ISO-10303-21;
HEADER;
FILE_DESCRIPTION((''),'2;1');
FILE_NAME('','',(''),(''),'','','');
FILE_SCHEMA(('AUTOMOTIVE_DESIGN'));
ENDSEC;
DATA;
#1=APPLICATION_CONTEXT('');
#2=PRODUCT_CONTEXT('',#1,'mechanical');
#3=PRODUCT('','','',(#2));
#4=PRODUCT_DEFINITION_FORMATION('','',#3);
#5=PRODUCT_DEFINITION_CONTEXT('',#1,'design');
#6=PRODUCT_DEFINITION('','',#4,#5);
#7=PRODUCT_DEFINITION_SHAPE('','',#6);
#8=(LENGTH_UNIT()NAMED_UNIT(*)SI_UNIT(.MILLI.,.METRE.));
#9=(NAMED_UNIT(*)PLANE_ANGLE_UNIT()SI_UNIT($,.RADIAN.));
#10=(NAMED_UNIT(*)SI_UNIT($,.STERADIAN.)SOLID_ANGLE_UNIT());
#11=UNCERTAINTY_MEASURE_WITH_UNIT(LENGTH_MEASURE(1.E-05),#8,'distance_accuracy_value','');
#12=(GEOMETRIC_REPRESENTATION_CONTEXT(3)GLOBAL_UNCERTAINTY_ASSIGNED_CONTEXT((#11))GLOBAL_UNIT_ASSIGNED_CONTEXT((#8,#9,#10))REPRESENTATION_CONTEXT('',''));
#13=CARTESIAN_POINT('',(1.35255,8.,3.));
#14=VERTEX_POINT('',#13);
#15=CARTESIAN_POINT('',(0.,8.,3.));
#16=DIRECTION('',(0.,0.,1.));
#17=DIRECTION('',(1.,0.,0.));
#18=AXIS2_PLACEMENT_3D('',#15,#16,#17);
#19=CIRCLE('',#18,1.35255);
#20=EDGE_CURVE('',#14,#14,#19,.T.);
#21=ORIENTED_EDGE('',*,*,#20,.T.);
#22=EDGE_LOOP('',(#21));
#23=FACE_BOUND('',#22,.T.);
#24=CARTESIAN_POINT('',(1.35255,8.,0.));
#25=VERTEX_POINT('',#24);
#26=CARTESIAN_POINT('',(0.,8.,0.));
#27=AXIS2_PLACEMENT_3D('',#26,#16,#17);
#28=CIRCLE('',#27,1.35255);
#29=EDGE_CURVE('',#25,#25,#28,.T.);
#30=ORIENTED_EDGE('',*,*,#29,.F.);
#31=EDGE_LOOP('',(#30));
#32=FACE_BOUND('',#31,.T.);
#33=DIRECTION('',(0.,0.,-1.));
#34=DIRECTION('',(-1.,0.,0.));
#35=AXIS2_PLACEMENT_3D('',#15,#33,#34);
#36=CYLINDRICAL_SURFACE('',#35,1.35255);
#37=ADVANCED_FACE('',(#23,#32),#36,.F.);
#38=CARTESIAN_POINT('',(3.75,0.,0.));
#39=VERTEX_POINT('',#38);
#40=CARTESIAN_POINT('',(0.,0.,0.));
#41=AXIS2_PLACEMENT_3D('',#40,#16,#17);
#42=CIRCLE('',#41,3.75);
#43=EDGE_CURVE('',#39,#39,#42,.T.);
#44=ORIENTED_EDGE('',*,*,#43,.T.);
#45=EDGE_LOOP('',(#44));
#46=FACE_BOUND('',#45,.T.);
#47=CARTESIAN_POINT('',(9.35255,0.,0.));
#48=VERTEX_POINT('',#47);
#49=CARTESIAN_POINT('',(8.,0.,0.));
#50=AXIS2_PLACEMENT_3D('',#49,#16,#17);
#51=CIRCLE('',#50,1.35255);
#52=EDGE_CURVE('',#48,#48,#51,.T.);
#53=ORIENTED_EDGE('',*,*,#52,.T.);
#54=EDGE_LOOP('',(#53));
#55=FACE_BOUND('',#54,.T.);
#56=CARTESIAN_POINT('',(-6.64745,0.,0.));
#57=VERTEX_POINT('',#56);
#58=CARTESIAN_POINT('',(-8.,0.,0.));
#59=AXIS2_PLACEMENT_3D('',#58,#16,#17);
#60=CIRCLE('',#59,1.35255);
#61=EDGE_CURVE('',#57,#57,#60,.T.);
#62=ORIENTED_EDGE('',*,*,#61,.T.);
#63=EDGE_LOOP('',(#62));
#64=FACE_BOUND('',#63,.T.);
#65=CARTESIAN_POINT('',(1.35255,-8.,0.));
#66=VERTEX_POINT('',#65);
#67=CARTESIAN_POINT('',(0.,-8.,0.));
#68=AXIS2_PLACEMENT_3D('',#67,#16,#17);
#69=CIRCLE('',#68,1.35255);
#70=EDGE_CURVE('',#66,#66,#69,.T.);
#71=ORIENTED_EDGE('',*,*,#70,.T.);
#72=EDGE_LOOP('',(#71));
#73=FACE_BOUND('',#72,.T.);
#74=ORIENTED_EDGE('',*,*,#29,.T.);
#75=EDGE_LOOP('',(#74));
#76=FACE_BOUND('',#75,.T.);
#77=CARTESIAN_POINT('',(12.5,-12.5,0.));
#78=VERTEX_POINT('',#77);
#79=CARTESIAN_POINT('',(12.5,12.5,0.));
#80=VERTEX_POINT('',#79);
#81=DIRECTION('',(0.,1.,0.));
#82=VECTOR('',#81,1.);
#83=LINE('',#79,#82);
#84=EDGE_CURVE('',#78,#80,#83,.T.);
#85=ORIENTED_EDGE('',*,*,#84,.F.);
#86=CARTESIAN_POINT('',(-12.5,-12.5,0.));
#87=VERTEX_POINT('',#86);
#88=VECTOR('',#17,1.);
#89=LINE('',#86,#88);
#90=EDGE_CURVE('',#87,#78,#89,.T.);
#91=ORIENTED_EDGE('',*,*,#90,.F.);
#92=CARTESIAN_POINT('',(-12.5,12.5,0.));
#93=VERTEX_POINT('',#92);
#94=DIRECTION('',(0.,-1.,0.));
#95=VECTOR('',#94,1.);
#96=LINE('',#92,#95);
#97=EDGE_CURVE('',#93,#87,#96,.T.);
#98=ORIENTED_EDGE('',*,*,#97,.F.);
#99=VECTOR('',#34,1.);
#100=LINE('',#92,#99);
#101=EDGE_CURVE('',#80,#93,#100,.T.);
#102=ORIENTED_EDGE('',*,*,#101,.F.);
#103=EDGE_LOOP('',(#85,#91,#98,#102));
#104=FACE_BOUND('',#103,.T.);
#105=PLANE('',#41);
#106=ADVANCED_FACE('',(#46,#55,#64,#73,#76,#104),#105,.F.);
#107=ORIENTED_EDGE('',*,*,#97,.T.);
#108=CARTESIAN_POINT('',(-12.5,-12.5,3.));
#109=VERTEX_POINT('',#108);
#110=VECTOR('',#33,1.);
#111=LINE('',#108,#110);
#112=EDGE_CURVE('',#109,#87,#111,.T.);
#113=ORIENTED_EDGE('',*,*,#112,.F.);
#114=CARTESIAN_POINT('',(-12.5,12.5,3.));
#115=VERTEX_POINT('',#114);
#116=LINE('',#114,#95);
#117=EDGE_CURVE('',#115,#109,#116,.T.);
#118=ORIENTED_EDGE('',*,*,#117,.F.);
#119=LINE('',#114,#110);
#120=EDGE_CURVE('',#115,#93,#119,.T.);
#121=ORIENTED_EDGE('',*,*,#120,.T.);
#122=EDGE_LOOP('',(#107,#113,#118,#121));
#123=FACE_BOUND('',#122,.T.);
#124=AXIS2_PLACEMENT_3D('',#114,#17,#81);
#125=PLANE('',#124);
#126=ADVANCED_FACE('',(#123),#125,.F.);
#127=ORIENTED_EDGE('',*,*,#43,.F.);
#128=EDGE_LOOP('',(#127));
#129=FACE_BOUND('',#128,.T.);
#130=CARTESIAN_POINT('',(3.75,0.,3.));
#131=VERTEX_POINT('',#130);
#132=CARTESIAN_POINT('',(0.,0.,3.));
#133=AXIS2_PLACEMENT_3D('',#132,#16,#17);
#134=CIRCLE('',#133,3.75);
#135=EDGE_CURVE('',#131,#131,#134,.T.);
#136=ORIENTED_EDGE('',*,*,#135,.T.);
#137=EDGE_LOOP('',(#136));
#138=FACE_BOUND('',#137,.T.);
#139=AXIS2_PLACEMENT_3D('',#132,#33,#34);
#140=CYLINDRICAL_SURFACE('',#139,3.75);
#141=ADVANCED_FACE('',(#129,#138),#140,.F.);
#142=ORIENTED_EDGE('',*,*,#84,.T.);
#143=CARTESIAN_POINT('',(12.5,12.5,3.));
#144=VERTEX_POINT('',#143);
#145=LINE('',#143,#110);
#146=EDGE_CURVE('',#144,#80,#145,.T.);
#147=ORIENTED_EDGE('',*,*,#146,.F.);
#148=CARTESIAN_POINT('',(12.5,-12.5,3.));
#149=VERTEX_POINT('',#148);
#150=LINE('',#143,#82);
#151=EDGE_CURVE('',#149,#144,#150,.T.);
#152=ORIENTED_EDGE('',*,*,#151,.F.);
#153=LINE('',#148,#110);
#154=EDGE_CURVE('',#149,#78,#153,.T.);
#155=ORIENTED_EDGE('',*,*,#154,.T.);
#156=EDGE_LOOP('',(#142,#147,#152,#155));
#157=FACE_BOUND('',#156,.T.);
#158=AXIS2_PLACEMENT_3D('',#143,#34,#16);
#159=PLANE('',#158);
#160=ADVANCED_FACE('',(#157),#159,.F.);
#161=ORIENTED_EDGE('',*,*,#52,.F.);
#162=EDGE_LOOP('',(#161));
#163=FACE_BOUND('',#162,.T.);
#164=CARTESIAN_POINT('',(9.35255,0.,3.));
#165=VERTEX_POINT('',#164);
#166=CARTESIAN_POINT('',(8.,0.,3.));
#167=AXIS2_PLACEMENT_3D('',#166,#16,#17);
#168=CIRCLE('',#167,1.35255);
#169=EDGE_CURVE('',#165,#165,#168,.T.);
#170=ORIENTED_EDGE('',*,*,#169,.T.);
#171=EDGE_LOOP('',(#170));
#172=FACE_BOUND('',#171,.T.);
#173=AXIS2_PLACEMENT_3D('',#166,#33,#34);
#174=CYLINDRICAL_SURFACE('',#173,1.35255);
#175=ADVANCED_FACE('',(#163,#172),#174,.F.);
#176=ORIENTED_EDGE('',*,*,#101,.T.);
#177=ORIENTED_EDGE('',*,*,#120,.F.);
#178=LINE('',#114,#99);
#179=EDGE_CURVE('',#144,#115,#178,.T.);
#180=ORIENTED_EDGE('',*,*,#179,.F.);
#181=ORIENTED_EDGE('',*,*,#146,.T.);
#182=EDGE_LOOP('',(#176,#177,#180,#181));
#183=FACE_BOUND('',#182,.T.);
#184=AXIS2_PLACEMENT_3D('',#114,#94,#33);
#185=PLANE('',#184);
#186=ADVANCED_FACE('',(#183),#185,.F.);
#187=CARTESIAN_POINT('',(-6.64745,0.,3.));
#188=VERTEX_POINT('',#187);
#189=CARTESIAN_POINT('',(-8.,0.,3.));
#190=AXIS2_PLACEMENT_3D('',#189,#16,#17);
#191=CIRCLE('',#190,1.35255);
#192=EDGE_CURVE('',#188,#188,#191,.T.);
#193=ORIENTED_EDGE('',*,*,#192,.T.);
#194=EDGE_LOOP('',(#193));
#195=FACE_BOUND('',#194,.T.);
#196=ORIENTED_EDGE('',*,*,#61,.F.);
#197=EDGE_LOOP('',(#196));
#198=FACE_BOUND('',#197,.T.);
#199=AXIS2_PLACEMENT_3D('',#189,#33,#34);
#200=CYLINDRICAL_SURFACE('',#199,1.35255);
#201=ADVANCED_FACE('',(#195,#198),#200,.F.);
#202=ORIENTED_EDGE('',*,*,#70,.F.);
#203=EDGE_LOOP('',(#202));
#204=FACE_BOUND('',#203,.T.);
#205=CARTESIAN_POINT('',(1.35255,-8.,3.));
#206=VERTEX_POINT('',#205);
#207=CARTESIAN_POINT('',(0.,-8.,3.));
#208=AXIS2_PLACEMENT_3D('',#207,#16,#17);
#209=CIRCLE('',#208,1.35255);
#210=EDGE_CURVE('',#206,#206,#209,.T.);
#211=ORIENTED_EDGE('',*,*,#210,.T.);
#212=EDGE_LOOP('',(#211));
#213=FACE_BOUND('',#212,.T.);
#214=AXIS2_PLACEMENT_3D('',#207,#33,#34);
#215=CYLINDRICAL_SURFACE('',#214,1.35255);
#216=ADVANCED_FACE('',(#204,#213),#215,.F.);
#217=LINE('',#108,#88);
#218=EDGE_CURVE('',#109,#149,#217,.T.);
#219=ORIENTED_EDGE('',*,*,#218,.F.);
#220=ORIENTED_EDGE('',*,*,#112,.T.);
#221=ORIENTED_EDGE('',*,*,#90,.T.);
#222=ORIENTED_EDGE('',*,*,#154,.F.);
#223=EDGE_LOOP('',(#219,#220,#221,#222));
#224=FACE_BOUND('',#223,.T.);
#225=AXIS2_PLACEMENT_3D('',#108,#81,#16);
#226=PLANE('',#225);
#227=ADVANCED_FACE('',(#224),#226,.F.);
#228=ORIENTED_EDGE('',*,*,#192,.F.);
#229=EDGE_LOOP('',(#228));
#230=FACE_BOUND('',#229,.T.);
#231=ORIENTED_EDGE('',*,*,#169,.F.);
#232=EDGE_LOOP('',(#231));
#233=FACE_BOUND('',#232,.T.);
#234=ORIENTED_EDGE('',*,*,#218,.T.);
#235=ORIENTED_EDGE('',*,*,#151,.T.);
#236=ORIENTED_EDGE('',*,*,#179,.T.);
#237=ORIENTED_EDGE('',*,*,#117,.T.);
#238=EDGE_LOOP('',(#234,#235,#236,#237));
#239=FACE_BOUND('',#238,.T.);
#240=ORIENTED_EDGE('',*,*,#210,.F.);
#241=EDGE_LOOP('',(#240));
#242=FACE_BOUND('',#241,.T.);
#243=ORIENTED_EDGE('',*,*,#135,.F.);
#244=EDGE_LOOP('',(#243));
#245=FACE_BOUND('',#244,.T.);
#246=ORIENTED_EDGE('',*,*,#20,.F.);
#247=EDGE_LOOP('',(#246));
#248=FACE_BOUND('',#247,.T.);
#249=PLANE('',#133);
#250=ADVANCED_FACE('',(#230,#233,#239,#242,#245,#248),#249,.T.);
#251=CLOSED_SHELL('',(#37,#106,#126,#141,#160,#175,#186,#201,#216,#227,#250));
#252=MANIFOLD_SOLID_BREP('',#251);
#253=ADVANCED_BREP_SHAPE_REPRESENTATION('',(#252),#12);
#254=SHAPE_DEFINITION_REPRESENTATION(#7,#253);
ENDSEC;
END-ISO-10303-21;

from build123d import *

# Parameters (mm, degrees)
SKETCH1_W           = 25
SKETCH1_H           = 25
SKETCH1_R           = 3.75
SKETCH1_R_2         = 1.35255
BOSS_EXTRUDE1_DEPTH = 3


with BuildPart() as part:
    # Sketch1 → Boss-Extrude1 (new body)
    with BuildSketch(Plane.XY):
        Rectangle(SKETCH1_W, SKETCH1_H)
        Circle(SKETCH1_R, mode=Mode.SUBTRACT)
        with Locations((0, 8)):
            Circle(SKETCH1_R_2, mode=Mode.SUBTRACT)
        with Locations((0, -8)):
            Circle(SKETCH1_R_2, mode=Mode.SUBTRACT)
        with Locations((8, 0)):
            Circle(SKETCH1_R_2, mode=Mode.SUBTRACT)
        with Locations((-8, 0)):
            Circle(SKETCH1_R_2, mode=Mode.SUBTRACT)
    extrude(amount=BOSS_EXTRUDE1_DEPTH)


solid = part.part
